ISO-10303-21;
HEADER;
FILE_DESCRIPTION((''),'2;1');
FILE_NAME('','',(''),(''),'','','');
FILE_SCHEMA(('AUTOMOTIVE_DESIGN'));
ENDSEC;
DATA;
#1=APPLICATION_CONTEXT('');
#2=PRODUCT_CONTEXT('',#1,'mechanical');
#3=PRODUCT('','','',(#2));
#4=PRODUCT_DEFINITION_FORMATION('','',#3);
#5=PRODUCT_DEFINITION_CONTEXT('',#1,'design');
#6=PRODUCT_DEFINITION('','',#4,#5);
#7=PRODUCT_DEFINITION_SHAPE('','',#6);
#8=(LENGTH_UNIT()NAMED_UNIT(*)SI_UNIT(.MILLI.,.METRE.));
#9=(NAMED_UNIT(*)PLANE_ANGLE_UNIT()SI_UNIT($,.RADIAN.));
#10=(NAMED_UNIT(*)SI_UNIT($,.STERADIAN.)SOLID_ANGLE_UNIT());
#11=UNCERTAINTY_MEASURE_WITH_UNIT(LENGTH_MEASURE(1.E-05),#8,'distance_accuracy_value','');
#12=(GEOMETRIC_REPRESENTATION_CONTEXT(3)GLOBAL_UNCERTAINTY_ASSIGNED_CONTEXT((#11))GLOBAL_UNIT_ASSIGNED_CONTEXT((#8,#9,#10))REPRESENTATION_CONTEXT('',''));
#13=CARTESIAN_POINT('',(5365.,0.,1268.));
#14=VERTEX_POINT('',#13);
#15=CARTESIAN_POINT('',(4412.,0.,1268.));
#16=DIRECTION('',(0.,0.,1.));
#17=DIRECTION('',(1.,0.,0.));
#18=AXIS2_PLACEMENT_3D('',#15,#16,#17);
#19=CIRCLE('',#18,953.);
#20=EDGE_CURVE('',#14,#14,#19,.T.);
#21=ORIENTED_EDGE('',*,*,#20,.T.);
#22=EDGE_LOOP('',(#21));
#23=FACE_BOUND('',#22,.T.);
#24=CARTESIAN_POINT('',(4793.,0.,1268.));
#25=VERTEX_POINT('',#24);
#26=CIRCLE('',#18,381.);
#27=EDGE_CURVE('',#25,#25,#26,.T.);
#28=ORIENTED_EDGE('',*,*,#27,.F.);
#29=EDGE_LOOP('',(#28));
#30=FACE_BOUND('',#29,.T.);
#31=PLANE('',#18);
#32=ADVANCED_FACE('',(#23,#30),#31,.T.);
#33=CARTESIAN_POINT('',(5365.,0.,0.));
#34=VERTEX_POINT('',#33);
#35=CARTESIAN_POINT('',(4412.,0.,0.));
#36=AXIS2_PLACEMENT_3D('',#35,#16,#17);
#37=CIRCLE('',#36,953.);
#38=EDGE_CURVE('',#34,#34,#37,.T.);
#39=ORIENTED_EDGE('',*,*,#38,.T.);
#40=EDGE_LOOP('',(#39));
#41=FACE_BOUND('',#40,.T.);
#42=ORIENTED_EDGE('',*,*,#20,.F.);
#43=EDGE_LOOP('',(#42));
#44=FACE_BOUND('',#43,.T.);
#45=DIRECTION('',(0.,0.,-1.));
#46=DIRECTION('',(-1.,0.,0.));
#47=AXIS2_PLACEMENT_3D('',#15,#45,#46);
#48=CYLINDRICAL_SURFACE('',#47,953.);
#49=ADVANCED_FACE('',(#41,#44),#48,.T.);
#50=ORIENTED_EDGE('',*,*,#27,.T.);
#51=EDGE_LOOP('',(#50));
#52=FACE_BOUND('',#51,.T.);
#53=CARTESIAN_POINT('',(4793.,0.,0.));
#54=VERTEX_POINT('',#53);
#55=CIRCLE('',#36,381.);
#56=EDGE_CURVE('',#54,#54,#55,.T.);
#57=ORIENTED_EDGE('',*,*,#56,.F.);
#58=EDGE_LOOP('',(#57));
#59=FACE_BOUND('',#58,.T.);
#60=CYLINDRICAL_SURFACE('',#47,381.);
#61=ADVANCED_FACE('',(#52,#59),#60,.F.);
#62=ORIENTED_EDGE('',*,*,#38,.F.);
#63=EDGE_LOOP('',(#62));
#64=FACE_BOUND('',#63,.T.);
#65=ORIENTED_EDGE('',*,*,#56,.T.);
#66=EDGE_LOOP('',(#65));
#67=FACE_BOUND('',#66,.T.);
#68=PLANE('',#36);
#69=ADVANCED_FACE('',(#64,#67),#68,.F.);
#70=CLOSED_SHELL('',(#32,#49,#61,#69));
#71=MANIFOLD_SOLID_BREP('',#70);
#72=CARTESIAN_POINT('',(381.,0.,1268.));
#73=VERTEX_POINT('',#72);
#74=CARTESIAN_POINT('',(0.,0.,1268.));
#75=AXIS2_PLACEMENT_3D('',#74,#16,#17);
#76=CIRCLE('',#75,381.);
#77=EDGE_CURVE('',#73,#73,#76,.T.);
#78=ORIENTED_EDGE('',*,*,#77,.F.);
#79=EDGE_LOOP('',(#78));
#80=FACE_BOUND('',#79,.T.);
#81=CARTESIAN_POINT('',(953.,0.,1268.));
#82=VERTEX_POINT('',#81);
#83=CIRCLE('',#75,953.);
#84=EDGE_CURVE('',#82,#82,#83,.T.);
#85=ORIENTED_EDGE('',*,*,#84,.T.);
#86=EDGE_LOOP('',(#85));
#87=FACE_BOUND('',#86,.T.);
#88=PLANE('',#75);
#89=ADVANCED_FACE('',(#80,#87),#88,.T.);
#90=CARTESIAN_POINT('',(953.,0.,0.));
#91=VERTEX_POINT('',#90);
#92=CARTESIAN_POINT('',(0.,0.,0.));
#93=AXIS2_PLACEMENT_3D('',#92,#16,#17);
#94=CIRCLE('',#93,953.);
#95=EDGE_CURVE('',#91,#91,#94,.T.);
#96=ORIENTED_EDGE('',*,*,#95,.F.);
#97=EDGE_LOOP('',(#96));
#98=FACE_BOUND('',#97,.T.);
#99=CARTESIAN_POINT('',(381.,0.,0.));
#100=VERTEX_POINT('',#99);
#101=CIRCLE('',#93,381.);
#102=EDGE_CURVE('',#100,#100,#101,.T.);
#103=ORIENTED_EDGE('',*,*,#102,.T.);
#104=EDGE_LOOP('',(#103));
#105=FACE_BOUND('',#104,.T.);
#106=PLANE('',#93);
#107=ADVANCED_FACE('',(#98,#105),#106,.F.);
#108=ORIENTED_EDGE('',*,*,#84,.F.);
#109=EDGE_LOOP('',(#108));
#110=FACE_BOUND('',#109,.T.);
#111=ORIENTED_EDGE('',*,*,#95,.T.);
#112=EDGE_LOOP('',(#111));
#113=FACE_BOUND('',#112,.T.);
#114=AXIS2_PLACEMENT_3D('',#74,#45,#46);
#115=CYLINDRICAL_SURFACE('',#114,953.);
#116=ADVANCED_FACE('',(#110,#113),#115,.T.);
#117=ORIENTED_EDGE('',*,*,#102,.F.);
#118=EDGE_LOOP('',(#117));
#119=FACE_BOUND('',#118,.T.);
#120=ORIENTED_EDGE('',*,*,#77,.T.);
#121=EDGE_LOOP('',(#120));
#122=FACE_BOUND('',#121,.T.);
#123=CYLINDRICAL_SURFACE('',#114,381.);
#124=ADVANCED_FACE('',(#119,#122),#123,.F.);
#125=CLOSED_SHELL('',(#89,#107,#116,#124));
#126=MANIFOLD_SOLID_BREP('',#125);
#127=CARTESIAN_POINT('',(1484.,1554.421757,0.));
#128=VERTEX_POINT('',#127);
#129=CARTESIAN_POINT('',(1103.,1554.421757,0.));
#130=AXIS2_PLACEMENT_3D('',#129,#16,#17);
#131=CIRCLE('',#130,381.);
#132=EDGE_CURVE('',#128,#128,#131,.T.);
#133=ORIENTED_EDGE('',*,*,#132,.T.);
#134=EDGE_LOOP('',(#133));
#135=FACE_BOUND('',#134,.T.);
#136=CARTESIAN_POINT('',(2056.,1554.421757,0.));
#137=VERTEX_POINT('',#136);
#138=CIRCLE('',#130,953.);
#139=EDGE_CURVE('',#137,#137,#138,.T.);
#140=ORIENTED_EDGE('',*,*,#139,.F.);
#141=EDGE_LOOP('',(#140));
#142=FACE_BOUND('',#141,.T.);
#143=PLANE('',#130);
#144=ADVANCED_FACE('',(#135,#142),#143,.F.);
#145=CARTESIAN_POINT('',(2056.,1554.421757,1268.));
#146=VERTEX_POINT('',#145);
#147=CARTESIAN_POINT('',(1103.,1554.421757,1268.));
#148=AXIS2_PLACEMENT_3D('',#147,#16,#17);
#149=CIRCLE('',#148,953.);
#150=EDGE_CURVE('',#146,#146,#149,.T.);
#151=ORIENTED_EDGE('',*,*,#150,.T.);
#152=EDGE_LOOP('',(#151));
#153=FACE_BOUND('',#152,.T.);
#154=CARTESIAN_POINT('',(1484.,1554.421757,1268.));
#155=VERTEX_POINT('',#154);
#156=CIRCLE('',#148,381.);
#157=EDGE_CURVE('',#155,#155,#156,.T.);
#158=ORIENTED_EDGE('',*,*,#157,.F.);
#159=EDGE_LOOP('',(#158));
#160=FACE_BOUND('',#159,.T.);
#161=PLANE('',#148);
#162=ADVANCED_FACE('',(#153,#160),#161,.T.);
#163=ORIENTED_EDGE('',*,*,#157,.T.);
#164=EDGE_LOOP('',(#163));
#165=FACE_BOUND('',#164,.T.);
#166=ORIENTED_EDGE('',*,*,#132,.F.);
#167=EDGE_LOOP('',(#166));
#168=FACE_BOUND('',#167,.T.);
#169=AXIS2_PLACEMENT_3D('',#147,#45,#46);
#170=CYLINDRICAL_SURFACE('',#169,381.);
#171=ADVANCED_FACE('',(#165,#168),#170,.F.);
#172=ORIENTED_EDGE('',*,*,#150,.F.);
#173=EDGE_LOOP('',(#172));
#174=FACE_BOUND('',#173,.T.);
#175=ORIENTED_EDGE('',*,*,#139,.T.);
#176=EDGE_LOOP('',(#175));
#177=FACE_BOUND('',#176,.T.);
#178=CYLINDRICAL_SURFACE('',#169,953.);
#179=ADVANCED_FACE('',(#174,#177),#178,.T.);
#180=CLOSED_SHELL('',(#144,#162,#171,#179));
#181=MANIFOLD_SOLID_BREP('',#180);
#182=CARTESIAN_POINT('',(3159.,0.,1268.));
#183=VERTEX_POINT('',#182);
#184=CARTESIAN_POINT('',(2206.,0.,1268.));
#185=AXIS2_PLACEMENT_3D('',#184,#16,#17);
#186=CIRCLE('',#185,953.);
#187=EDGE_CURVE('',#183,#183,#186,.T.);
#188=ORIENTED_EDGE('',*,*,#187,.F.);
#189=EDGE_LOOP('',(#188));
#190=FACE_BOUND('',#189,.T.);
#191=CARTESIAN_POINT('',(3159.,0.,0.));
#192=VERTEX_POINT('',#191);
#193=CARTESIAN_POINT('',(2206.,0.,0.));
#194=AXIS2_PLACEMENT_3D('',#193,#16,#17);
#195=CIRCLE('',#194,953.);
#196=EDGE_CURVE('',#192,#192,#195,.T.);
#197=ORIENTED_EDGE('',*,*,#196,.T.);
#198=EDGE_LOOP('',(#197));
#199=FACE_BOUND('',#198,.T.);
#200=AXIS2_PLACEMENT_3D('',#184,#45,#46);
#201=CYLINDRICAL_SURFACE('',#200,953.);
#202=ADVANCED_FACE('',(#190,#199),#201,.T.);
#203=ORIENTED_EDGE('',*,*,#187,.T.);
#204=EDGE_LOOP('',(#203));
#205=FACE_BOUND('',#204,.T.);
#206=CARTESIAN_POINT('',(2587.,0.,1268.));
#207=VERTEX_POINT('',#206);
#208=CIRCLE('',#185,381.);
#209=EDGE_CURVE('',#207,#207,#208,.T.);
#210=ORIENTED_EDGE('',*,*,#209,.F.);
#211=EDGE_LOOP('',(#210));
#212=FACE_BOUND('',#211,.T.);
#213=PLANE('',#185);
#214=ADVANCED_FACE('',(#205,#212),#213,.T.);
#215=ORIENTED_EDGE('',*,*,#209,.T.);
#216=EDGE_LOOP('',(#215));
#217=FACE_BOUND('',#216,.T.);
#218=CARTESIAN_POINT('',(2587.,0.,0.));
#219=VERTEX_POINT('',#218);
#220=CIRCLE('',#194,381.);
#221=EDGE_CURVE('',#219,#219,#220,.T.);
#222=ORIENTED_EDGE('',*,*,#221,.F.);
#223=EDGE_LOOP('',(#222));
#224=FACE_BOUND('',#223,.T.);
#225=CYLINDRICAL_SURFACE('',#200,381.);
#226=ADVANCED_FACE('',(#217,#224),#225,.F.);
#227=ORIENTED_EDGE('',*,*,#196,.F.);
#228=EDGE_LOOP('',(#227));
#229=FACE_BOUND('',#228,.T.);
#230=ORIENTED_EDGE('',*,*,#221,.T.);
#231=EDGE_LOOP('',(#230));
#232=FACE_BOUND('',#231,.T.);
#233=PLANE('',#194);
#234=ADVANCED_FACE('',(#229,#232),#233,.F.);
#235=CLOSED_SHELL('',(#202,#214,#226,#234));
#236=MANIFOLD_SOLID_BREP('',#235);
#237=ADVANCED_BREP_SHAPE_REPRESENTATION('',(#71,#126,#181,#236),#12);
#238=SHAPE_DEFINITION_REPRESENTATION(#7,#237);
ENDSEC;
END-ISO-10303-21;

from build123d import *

# Parameters (mm, degrees)
SZKIC1_R                      = 953
SZKIC1_R_2                    = 381
DODANIE_WYCI_GNI_CIE1_DEPTH   = 1268
DODANIE_WYCI_GNI_CIE1_2_DEPTH = 1268
DODANIE_WYCI_GNI_CIE1_3_DEPTH = 1268
DODANIE_WYCI_GNI_CIE1_4_DEPTH = 1268


with BuildPart() as part:
    # Szkic1 → Dodanie-wyciągnięcie1 (new body)
    with BuildSketch(Plane.XY):
        Circle(SZKIC1_R)
        Circle(SZKIC1_R_2, mode=Mode.SUBTRACT)
    extrude(amount=DODANIE_WYCI_GNI_CIE1_DEPTH)


with BuildPart() as body_2:
    # Szkic1 → Dodanie-wyci_gni_cie1 2 (new body)
    with BuildSketch(Plane.XY):
        with Locations((2206, 0)):
            Circle(SZKIC1_R)
        with Locations((2206, 0)):
            Circle(SZKIC1_R_2, mode=Mode.SUBTRACT)
    extrude(amount=DODANIE_WYCI_GNI_CIE1_2_DEPTH)


with BuildPart() as body_3:
    # Szkic1 → Dodanie-wyci_gni_cie1 3 (new body)
    with BuildSketch(Plane.XY):
        with Locations((4412, 0)):
            Circle(SZKIC1_R)
        with Locations((4412, 0)):
            Circle(SZKIC1_R_2, mode=Mode.SUBTRACT)
    extrude(amount=DODANIE_WYCI_GNI_CIE1_3_DEPTH)


with BuildPart() as body_4:
    # Szkic1 → Dodanie-wyci_gni_cie1 4 (new body)
    with BuildSketch(Plane.XY):
        with Locations((1103, 1554.421757439)):
            Circle(SZKIC1_R)
        with Locations((1103, 1554.421757439)):
            Circle(SZKIC1_R_2, mode=Mode.SUBTRACT)
    extrude(amount=DODANIE_WYCI_GNI_CIE1_4_DEPTH)


solid = Compound([part.part, body_2.part, body_3.part, body_4.part])
